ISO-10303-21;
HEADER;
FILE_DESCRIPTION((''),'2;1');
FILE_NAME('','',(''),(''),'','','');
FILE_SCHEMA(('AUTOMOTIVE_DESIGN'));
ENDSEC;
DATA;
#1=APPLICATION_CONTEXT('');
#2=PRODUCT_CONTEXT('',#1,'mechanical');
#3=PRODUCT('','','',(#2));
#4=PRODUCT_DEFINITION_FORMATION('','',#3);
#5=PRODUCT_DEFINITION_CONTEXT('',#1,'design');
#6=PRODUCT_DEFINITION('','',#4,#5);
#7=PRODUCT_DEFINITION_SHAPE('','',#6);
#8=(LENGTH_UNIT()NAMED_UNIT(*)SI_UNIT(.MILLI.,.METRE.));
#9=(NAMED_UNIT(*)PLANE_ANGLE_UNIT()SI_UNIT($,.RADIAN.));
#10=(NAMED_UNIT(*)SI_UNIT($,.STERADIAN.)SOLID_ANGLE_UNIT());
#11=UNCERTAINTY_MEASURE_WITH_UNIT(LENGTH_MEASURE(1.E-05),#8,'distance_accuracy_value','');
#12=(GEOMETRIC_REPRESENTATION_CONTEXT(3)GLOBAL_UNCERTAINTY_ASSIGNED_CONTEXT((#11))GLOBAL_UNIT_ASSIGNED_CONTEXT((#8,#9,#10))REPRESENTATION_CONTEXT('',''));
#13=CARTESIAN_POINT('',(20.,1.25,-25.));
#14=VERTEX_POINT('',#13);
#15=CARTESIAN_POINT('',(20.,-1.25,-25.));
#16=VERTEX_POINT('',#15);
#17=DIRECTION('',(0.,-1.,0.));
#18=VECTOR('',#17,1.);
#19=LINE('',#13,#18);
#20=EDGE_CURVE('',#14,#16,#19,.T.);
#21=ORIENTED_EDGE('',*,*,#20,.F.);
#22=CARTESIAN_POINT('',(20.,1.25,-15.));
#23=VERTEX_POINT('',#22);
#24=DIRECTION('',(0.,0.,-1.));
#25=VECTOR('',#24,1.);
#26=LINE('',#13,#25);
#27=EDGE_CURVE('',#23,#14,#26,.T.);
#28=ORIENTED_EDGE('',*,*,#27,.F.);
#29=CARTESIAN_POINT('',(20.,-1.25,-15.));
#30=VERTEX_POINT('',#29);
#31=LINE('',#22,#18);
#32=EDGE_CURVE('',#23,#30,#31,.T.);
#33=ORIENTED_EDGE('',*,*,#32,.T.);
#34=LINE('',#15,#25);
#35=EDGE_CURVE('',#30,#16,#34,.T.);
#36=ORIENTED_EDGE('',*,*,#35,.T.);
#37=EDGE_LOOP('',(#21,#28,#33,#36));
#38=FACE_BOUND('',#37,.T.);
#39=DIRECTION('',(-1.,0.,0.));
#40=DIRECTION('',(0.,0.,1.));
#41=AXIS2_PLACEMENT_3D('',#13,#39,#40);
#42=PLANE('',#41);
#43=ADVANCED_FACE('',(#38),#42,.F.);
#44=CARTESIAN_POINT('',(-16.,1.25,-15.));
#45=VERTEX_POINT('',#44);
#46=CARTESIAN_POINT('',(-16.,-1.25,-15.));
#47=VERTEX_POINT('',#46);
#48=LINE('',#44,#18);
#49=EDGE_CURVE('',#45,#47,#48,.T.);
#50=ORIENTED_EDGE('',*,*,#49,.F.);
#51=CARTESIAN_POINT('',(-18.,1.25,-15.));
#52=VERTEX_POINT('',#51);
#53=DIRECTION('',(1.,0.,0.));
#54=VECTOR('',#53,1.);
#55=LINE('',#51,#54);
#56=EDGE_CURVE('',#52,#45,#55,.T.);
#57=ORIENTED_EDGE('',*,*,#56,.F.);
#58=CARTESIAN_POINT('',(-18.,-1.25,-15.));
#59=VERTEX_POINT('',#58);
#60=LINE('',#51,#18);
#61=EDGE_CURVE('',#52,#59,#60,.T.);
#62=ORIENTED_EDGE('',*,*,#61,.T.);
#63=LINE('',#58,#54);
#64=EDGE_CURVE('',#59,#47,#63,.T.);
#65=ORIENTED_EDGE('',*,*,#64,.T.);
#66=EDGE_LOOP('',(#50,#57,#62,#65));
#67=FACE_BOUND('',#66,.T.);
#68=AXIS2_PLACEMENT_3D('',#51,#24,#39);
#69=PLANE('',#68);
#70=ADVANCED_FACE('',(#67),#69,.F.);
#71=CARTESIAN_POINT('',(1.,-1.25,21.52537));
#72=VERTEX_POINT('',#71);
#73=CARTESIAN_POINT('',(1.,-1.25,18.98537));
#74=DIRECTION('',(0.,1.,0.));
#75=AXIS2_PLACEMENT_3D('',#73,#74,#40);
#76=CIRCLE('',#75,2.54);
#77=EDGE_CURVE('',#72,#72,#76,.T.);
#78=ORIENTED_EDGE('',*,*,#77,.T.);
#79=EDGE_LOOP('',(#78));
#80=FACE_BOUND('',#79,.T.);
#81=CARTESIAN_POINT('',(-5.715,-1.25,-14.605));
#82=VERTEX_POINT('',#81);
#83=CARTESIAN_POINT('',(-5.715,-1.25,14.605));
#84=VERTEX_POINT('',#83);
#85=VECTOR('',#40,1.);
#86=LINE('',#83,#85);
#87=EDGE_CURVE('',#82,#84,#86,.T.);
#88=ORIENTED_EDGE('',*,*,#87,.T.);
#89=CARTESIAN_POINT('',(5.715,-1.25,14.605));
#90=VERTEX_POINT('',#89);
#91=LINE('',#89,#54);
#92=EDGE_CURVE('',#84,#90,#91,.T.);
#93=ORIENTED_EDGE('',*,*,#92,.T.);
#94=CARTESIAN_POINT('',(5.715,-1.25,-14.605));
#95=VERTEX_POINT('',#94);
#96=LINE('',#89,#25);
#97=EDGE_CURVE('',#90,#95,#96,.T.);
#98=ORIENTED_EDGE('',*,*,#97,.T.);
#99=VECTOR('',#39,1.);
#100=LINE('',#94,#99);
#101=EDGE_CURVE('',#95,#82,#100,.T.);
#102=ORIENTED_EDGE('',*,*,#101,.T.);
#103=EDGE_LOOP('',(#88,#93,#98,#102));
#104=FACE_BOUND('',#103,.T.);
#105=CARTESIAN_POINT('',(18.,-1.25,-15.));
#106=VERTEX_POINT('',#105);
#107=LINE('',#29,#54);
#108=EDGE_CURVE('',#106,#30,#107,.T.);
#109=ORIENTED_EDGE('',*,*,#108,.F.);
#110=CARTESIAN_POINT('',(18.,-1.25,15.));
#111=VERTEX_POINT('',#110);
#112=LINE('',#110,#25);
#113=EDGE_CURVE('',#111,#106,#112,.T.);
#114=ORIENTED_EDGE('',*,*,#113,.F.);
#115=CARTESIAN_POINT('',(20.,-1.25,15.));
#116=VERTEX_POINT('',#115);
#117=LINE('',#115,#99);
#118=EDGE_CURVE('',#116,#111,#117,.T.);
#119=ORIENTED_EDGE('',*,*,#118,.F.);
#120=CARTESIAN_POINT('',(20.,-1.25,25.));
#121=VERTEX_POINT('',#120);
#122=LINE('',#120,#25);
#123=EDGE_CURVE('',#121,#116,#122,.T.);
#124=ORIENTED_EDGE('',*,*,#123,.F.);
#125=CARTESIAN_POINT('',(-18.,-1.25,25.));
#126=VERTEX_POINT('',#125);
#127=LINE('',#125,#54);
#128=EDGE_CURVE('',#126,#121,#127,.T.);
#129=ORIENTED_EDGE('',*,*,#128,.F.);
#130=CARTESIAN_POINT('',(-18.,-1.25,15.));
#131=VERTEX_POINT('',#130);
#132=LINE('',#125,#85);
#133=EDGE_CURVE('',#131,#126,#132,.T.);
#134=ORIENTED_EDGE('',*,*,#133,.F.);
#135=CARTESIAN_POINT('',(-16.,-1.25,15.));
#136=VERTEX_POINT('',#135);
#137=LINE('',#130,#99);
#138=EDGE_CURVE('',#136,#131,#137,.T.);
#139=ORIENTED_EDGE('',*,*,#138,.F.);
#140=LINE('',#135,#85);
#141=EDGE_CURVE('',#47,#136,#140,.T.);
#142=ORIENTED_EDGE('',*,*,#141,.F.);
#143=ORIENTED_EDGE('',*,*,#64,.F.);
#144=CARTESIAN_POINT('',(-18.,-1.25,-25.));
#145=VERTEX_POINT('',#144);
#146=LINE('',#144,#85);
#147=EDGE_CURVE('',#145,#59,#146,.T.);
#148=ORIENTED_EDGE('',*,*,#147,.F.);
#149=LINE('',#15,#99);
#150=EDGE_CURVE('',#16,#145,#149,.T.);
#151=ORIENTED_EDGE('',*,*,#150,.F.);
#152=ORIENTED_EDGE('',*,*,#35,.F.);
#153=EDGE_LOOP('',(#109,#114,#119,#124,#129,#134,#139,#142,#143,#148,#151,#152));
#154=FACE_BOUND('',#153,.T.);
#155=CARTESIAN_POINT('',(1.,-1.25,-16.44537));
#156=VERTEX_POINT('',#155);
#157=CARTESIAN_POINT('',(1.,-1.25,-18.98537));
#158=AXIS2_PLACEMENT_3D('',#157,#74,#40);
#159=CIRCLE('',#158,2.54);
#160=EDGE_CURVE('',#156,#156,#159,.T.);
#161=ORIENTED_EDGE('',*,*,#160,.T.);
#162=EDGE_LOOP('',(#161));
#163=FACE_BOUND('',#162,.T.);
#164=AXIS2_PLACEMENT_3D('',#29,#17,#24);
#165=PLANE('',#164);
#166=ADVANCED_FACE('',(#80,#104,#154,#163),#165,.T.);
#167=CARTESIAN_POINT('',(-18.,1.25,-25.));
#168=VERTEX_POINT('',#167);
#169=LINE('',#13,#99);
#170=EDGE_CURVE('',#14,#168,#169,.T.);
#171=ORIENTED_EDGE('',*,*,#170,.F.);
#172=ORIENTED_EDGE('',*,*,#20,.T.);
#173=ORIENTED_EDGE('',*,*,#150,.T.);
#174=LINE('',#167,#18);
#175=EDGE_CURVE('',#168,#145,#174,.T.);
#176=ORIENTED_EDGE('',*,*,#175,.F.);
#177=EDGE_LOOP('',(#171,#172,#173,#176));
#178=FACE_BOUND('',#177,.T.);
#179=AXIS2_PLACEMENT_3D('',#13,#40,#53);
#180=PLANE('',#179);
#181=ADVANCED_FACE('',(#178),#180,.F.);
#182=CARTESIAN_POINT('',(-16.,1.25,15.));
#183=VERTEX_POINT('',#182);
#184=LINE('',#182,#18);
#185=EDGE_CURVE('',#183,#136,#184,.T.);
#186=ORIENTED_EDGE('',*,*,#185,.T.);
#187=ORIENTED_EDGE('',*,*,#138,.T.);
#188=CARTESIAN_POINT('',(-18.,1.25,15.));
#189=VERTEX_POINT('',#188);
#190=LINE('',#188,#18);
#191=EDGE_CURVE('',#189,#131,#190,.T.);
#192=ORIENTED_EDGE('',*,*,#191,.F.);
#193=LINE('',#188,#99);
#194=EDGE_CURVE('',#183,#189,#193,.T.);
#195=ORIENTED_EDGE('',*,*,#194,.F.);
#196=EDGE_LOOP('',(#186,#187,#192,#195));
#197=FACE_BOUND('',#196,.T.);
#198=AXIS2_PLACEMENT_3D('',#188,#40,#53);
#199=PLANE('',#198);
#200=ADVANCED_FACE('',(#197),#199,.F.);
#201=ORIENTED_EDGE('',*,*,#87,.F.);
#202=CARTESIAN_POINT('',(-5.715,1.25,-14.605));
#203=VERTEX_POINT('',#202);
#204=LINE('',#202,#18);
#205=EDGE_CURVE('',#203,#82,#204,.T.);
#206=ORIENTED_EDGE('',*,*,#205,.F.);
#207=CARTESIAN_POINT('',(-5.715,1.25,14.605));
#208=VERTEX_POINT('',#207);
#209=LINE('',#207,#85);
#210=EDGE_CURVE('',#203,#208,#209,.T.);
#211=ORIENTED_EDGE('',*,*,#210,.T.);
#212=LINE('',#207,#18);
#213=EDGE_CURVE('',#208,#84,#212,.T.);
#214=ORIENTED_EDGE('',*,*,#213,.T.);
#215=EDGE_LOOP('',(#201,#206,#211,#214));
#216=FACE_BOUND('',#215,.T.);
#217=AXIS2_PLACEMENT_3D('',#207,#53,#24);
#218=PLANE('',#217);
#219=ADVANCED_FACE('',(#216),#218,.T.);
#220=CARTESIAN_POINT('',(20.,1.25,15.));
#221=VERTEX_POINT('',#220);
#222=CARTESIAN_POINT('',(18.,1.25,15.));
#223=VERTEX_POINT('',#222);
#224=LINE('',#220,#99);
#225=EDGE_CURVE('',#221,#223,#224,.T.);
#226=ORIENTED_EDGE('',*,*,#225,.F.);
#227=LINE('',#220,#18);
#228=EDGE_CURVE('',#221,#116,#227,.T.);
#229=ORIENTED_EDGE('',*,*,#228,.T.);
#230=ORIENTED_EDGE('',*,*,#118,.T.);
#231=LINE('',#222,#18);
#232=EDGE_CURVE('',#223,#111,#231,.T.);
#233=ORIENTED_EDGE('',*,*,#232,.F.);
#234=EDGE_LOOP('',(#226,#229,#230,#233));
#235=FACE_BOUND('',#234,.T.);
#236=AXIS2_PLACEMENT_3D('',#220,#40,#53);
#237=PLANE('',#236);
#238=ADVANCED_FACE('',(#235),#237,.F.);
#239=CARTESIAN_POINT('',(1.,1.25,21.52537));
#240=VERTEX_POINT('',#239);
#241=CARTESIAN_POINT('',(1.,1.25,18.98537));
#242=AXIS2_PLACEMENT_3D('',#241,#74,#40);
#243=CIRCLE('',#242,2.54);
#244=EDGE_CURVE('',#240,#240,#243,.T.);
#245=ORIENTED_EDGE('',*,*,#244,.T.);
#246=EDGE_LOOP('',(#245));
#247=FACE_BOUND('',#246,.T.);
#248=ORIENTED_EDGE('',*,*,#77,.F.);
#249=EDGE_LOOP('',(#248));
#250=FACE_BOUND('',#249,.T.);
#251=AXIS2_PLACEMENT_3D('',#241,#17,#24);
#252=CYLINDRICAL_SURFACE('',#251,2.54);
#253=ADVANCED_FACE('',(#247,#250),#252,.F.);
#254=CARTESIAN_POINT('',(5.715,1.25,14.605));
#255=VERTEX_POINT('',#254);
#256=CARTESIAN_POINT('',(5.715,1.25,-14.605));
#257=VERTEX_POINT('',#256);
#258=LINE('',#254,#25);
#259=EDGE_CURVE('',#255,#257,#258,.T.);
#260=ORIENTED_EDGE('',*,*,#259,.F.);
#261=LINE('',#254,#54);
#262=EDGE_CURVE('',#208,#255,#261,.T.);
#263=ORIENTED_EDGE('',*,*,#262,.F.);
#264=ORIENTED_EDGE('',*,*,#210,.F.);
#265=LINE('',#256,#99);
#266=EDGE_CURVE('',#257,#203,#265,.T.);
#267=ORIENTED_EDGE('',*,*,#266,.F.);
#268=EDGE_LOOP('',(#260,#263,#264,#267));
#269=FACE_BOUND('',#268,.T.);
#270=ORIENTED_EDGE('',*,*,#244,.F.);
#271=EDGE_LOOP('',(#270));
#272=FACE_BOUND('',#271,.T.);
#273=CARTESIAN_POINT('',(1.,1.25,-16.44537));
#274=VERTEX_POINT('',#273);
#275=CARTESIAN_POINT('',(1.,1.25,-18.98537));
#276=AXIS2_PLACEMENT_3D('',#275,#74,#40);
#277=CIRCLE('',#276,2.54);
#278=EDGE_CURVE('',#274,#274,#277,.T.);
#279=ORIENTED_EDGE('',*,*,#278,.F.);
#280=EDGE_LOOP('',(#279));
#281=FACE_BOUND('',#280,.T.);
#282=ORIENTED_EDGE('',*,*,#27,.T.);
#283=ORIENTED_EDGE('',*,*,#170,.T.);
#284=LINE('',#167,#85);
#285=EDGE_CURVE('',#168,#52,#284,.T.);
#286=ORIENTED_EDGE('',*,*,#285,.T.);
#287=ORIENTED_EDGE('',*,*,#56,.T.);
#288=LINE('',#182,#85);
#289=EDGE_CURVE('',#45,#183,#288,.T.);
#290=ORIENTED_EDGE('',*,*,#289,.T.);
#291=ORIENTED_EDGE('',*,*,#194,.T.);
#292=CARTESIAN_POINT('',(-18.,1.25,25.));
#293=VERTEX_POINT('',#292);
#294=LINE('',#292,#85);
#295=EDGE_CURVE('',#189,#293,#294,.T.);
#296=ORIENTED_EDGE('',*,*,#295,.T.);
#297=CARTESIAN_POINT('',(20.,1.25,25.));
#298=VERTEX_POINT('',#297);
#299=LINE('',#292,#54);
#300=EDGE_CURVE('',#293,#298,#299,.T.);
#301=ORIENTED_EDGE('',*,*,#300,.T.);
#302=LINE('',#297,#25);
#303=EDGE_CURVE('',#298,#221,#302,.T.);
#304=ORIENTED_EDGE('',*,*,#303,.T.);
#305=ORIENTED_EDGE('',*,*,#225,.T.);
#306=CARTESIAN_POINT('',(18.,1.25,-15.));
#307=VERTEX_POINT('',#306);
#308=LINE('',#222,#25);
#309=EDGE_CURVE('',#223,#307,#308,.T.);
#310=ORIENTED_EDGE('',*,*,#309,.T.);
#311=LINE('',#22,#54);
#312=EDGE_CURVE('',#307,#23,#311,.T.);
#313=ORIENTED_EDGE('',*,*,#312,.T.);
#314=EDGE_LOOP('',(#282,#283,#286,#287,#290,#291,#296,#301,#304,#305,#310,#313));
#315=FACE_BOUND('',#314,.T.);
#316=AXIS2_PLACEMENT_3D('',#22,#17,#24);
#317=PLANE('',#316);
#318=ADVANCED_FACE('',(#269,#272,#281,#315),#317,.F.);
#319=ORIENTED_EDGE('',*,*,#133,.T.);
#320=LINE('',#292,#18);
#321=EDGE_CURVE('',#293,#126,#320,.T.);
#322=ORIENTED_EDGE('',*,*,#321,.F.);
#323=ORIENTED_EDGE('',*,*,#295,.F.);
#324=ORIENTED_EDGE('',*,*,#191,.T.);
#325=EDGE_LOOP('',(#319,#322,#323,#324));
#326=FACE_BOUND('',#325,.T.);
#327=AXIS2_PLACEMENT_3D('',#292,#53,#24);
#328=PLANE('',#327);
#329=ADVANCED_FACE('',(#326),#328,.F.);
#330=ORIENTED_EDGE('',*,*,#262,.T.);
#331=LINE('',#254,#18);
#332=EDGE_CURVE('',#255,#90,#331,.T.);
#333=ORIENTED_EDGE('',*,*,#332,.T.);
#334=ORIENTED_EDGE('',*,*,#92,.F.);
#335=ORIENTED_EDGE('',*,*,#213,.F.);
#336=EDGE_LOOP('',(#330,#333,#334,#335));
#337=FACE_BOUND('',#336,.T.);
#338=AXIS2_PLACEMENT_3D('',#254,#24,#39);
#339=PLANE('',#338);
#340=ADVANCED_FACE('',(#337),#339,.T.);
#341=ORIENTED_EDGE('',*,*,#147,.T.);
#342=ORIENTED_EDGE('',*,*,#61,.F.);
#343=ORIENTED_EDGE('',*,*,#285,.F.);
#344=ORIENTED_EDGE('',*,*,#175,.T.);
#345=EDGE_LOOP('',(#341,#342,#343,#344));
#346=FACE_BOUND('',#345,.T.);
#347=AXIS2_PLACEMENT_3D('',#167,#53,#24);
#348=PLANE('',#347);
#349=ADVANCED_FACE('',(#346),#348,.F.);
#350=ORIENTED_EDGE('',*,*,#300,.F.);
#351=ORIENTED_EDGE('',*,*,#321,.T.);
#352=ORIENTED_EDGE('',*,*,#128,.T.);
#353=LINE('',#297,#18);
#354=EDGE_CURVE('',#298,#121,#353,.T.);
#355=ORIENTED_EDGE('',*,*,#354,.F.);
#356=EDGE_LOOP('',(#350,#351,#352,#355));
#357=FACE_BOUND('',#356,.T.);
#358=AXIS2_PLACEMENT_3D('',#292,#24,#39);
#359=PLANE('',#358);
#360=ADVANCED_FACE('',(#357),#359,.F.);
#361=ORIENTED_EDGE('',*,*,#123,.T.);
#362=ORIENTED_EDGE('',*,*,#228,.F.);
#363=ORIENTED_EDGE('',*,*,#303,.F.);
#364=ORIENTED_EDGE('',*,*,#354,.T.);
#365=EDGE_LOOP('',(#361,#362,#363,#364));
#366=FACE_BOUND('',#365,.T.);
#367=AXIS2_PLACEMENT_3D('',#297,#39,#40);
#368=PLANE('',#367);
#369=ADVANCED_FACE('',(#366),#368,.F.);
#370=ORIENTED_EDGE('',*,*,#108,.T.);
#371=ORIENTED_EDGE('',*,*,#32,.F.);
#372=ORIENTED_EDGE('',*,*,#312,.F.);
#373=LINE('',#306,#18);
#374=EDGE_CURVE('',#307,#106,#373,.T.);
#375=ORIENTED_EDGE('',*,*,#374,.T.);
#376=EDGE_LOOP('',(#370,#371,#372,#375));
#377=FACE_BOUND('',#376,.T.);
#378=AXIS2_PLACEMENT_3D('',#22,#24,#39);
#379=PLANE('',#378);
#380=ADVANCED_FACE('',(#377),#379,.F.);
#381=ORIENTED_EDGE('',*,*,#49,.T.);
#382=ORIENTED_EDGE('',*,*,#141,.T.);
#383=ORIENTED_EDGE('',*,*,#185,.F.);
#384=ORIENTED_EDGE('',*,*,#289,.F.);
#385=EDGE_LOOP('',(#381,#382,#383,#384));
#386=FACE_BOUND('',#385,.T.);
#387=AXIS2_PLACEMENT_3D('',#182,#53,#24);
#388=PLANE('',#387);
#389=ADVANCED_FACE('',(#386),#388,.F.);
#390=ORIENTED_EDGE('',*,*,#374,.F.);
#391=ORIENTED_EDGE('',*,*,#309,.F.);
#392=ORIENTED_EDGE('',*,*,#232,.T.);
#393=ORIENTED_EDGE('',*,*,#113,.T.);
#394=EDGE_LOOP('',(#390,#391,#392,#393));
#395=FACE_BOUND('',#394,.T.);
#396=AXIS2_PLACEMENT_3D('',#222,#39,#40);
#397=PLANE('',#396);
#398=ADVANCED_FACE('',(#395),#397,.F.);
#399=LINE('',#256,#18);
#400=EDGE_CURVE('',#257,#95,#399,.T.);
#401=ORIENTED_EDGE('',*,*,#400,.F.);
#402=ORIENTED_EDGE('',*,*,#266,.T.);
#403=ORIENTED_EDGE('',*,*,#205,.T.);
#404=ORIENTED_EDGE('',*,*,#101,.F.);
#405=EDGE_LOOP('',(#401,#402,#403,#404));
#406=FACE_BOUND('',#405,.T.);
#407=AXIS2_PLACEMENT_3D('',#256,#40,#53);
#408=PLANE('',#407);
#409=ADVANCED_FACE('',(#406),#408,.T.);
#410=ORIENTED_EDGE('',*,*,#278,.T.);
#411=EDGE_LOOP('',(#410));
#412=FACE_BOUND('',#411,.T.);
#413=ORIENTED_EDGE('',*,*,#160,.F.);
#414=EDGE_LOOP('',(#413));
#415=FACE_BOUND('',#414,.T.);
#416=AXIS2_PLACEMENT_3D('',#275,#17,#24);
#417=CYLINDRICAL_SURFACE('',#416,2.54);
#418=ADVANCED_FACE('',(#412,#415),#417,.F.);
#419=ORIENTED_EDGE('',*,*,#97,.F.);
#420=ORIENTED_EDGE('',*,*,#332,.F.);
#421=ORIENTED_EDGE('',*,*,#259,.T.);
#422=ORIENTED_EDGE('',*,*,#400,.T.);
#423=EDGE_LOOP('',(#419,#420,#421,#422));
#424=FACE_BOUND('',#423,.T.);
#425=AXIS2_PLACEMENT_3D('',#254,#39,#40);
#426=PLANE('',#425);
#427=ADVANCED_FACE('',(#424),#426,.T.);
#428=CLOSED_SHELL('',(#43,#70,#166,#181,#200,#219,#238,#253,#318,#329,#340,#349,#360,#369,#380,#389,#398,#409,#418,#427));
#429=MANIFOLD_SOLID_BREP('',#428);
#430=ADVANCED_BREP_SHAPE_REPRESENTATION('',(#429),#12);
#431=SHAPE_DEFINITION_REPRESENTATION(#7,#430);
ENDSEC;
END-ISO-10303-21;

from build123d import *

# Parameters (mm, degrees)
SCHIZZO2_R                   = 2.54
SCHIZZO2_W                   = 11.43
SCHIZZO2_H                   = 29.21
ESTRUSIONE_ESTRUSIONE1_DEPTH = 1.25


with BuildPart() as part:
    # Schizzo2 → Estrusione-Estrusione1 (new, symmetric)
    with BuildSketch(Plane(origin=(0, 0, 0), x_dir=(1, 0, 0), z_dir=(0, 1, 0))):
        Polygon((-18, 15), (-16, 15), (-16, -15), (-18, -15), (-18, -25), (20, -25), (20, -15), (18, -15), (18, 15), (20, 15), (20, 25), (-18, 25), align=None)
        with Locations(Location((1, 18.985370086, 0), (0, 0, 270))):
            Circle(SCHIZZO2_R, mode=Mode.SUBTRACT)
        with Locations(Location((1, -18.985370086, 0), (0, 0, 270))):
            Circle(SCHIZZO2_R, mode=Mode.SUBTRACT)
        Rectangle(SCHIZZO2_W, SCHIZZO2_H, mode=Mode.SUBTRACT)
    extrude(amount=ESTRUSIONE_ESTRUSIONE1_DEPTH, both=True)


solid = part.part
